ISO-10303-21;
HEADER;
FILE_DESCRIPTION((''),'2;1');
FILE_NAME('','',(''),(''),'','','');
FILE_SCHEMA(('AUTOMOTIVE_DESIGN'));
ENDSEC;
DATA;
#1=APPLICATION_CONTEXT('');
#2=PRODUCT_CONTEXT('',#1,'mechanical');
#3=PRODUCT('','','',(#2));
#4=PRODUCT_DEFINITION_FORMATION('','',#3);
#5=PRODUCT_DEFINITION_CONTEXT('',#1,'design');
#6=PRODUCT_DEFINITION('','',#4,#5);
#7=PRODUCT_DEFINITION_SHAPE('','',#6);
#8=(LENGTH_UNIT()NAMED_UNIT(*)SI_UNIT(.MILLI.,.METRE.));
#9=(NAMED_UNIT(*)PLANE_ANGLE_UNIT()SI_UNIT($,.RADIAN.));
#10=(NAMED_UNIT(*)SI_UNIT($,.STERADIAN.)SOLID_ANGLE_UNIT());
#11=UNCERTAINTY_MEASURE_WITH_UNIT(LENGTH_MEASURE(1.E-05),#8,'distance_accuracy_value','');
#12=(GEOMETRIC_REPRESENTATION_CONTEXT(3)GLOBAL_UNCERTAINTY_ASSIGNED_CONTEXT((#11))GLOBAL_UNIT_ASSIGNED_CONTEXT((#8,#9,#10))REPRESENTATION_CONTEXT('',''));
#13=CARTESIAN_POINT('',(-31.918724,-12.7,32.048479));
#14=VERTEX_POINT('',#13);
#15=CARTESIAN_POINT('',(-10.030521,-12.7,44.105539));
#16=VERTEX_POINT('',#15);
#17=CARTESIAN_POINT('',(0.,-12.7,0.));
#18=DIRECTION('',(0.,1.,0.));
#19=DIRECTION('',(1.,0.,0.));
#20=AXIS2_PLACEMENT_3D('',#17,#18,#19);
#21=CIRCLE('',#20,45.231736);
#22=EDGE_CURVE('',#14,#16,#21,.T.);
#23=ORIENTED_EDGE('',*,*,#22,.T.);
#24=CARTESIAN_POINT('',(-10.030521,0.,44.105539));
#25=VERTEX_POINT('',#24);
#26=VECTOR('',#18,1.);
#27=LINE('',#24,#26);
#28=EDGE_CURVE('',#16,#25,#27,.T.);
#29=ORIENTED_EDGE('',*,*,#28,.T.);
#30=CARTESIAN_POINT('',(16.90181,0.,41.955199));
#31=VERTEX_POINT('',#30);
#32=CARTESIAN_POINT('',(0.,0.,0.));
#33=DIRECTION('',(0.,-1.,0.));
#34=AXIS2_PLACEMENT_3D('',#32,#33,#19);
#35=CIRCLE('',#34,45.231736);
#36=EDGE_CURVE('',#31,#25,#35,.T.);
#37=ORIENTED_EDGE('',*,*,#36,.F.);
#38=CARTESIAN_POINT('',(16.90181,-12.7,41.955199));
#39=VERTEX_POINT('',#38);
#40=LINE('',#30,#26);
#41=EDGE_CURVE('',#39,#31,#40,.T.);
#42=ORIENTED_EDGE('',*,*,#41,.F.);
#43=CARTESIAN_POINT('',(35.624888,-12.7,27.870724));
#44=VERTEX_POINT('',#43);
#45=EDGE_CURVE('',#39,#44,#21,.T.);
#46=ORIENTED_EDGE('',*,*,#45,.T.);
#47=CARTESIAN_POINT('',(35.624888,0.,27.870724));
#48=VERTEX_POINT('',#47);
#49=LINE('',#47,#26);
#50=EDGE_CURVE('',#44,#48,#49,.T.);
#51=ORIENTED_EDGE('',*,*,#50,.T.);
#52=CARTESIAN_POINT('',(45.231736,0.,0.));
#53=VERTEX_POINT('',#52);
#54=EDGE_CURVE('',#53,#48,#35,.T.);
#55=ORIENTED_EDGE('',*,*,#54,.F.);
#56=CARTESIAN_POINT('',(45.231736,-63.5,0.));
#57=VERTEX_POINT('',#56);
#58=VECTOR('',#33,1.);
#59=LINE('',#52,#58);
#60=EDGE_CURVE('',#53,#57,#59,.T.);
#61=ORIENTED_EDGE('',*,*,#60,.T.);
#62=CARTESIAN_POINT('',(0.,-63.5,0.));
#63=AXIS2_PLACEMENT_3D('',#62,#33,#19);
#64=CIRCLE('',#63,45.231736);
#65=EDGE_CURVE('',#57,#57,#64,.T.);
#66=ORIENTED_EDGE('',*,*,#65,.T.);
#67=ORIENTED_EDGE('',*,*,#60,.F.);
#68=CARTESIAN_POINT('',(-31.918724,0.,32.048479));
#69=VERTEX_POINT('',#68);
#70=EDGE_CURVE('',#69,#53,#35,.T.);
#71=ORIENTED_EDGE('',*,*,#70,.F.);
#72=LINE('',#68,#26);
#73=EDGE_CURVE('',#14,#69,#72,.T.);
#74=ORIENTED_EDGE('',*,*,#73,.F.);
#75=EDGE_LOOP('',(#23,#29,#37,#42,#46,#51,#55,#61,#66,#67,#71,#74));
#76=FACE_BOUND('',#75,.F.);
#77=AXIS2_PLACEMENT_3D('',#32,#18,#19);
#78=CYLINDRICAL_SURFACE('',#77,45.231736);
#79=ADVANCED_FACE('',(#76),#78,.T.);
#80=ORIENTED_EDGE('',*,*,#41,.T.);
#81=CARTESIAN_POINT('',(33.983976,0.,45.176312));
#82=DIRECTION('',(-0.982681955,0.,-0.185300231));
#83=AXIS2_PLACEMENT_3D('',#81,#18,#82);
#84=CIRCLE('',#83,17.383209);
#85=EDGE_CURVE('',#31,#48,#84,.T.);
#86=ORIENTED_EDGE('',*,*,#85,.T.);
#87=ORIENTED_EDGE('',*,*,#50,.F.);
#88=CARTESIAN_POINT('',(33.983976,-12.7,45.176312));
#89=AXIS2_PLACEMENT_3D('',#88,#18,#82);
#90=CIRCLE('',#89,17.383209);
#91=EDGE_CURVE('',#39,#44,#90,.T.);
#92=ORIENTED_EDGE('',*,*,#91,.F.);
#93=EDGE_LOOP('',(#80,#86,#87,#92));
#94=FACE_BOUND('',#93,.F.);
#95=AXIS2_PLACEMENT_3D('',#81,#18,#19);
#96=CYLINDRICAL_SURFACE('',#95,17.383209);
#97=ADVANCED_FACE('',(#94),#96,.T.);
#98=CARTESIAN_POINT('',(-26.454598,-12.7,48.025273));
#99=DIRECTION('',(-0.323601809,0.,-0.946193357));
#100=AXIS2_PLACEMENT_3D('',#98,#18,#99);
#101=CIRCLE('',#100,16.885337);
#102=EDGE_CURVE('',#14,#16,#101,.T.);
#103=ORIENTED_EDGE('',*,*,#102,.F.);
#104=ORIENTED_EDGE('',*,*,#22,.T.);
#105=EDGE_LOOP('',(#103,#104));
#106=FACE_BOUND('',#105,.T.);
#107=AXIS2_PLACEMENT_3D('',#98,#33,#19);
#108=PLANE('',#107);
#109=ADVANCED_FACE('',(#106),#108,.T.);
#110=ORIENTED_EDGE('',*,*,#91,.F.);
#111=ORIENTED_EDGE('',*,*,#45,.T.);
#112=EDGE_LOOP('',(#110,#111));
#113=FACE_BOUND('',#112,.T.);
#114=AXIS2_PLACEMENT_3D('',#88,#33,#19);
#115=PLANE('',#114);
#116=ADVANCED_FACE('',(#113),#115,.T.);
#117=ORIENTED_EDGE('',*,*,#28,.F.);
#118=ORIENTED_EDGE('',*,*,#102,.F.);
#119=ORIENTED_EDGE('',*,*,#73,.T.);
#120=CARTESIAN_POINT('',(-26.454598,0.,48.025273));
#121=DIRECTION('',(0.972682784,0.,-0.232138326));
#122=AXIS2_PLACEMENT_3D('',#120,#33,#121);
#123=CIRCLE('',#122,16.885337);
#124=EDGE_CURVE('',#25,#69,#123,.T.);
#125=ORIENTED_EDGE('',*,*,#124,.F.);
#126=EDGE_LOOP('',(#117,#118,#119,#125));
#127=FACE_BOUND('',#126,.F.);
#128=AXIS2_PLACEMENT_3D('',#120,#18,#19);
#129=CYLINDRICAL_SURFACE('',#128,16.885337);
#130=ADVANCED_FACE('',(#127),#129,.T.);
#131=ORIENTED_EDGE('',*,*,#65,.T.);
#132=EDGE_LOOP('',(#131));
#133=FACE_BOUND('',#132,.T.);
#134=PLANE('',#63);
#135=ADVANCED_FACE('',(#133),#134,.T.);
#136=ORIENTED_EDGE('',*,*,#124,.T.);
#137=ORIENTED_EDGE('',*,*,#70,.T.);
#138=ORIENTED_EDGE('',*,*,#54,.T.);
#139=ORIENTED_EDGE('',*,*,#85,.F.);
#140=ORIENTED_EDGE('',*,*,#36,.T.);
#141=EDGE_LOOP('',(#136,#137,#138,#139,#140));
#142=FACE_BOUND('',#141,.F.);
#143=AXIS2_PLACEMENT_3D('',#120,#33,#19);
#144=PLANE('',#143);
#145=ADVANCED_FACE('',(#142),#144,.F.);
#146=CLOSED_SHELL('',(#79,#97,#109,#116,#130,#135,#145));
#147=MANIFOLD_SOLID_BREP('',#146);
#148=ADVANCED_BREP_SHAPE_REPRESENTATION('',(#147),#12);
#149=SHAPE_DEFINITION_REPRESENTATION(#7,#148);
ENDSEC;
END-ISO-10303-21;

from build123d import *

# Parameters (mm, degrees)
F0_R     = 45.231736
F1_DEPTH = 63.5
F2_R     = 16.885337
F2_R_2   = 17.383209
F3_DEPTH = 12.7


with BuildPart() as f1:
    # F0 (on Front) → F1 (new body)
    with BuildSketch(Plane.XZ):
        Circle(F0_R)
    extrude(amount=F1_DEPTH)

    # F2 (on Front) → F3 (join)
    with BuildSketch(Plane.XZ):
        with Locations((-26.454598, 48.025273)):
            Circle(F2_R)
        with Locations((33.983976, 45.176312)):
            Circle(F2_R_2)
    extrude(amount=F3_DEPTH)


solid = f1.part
